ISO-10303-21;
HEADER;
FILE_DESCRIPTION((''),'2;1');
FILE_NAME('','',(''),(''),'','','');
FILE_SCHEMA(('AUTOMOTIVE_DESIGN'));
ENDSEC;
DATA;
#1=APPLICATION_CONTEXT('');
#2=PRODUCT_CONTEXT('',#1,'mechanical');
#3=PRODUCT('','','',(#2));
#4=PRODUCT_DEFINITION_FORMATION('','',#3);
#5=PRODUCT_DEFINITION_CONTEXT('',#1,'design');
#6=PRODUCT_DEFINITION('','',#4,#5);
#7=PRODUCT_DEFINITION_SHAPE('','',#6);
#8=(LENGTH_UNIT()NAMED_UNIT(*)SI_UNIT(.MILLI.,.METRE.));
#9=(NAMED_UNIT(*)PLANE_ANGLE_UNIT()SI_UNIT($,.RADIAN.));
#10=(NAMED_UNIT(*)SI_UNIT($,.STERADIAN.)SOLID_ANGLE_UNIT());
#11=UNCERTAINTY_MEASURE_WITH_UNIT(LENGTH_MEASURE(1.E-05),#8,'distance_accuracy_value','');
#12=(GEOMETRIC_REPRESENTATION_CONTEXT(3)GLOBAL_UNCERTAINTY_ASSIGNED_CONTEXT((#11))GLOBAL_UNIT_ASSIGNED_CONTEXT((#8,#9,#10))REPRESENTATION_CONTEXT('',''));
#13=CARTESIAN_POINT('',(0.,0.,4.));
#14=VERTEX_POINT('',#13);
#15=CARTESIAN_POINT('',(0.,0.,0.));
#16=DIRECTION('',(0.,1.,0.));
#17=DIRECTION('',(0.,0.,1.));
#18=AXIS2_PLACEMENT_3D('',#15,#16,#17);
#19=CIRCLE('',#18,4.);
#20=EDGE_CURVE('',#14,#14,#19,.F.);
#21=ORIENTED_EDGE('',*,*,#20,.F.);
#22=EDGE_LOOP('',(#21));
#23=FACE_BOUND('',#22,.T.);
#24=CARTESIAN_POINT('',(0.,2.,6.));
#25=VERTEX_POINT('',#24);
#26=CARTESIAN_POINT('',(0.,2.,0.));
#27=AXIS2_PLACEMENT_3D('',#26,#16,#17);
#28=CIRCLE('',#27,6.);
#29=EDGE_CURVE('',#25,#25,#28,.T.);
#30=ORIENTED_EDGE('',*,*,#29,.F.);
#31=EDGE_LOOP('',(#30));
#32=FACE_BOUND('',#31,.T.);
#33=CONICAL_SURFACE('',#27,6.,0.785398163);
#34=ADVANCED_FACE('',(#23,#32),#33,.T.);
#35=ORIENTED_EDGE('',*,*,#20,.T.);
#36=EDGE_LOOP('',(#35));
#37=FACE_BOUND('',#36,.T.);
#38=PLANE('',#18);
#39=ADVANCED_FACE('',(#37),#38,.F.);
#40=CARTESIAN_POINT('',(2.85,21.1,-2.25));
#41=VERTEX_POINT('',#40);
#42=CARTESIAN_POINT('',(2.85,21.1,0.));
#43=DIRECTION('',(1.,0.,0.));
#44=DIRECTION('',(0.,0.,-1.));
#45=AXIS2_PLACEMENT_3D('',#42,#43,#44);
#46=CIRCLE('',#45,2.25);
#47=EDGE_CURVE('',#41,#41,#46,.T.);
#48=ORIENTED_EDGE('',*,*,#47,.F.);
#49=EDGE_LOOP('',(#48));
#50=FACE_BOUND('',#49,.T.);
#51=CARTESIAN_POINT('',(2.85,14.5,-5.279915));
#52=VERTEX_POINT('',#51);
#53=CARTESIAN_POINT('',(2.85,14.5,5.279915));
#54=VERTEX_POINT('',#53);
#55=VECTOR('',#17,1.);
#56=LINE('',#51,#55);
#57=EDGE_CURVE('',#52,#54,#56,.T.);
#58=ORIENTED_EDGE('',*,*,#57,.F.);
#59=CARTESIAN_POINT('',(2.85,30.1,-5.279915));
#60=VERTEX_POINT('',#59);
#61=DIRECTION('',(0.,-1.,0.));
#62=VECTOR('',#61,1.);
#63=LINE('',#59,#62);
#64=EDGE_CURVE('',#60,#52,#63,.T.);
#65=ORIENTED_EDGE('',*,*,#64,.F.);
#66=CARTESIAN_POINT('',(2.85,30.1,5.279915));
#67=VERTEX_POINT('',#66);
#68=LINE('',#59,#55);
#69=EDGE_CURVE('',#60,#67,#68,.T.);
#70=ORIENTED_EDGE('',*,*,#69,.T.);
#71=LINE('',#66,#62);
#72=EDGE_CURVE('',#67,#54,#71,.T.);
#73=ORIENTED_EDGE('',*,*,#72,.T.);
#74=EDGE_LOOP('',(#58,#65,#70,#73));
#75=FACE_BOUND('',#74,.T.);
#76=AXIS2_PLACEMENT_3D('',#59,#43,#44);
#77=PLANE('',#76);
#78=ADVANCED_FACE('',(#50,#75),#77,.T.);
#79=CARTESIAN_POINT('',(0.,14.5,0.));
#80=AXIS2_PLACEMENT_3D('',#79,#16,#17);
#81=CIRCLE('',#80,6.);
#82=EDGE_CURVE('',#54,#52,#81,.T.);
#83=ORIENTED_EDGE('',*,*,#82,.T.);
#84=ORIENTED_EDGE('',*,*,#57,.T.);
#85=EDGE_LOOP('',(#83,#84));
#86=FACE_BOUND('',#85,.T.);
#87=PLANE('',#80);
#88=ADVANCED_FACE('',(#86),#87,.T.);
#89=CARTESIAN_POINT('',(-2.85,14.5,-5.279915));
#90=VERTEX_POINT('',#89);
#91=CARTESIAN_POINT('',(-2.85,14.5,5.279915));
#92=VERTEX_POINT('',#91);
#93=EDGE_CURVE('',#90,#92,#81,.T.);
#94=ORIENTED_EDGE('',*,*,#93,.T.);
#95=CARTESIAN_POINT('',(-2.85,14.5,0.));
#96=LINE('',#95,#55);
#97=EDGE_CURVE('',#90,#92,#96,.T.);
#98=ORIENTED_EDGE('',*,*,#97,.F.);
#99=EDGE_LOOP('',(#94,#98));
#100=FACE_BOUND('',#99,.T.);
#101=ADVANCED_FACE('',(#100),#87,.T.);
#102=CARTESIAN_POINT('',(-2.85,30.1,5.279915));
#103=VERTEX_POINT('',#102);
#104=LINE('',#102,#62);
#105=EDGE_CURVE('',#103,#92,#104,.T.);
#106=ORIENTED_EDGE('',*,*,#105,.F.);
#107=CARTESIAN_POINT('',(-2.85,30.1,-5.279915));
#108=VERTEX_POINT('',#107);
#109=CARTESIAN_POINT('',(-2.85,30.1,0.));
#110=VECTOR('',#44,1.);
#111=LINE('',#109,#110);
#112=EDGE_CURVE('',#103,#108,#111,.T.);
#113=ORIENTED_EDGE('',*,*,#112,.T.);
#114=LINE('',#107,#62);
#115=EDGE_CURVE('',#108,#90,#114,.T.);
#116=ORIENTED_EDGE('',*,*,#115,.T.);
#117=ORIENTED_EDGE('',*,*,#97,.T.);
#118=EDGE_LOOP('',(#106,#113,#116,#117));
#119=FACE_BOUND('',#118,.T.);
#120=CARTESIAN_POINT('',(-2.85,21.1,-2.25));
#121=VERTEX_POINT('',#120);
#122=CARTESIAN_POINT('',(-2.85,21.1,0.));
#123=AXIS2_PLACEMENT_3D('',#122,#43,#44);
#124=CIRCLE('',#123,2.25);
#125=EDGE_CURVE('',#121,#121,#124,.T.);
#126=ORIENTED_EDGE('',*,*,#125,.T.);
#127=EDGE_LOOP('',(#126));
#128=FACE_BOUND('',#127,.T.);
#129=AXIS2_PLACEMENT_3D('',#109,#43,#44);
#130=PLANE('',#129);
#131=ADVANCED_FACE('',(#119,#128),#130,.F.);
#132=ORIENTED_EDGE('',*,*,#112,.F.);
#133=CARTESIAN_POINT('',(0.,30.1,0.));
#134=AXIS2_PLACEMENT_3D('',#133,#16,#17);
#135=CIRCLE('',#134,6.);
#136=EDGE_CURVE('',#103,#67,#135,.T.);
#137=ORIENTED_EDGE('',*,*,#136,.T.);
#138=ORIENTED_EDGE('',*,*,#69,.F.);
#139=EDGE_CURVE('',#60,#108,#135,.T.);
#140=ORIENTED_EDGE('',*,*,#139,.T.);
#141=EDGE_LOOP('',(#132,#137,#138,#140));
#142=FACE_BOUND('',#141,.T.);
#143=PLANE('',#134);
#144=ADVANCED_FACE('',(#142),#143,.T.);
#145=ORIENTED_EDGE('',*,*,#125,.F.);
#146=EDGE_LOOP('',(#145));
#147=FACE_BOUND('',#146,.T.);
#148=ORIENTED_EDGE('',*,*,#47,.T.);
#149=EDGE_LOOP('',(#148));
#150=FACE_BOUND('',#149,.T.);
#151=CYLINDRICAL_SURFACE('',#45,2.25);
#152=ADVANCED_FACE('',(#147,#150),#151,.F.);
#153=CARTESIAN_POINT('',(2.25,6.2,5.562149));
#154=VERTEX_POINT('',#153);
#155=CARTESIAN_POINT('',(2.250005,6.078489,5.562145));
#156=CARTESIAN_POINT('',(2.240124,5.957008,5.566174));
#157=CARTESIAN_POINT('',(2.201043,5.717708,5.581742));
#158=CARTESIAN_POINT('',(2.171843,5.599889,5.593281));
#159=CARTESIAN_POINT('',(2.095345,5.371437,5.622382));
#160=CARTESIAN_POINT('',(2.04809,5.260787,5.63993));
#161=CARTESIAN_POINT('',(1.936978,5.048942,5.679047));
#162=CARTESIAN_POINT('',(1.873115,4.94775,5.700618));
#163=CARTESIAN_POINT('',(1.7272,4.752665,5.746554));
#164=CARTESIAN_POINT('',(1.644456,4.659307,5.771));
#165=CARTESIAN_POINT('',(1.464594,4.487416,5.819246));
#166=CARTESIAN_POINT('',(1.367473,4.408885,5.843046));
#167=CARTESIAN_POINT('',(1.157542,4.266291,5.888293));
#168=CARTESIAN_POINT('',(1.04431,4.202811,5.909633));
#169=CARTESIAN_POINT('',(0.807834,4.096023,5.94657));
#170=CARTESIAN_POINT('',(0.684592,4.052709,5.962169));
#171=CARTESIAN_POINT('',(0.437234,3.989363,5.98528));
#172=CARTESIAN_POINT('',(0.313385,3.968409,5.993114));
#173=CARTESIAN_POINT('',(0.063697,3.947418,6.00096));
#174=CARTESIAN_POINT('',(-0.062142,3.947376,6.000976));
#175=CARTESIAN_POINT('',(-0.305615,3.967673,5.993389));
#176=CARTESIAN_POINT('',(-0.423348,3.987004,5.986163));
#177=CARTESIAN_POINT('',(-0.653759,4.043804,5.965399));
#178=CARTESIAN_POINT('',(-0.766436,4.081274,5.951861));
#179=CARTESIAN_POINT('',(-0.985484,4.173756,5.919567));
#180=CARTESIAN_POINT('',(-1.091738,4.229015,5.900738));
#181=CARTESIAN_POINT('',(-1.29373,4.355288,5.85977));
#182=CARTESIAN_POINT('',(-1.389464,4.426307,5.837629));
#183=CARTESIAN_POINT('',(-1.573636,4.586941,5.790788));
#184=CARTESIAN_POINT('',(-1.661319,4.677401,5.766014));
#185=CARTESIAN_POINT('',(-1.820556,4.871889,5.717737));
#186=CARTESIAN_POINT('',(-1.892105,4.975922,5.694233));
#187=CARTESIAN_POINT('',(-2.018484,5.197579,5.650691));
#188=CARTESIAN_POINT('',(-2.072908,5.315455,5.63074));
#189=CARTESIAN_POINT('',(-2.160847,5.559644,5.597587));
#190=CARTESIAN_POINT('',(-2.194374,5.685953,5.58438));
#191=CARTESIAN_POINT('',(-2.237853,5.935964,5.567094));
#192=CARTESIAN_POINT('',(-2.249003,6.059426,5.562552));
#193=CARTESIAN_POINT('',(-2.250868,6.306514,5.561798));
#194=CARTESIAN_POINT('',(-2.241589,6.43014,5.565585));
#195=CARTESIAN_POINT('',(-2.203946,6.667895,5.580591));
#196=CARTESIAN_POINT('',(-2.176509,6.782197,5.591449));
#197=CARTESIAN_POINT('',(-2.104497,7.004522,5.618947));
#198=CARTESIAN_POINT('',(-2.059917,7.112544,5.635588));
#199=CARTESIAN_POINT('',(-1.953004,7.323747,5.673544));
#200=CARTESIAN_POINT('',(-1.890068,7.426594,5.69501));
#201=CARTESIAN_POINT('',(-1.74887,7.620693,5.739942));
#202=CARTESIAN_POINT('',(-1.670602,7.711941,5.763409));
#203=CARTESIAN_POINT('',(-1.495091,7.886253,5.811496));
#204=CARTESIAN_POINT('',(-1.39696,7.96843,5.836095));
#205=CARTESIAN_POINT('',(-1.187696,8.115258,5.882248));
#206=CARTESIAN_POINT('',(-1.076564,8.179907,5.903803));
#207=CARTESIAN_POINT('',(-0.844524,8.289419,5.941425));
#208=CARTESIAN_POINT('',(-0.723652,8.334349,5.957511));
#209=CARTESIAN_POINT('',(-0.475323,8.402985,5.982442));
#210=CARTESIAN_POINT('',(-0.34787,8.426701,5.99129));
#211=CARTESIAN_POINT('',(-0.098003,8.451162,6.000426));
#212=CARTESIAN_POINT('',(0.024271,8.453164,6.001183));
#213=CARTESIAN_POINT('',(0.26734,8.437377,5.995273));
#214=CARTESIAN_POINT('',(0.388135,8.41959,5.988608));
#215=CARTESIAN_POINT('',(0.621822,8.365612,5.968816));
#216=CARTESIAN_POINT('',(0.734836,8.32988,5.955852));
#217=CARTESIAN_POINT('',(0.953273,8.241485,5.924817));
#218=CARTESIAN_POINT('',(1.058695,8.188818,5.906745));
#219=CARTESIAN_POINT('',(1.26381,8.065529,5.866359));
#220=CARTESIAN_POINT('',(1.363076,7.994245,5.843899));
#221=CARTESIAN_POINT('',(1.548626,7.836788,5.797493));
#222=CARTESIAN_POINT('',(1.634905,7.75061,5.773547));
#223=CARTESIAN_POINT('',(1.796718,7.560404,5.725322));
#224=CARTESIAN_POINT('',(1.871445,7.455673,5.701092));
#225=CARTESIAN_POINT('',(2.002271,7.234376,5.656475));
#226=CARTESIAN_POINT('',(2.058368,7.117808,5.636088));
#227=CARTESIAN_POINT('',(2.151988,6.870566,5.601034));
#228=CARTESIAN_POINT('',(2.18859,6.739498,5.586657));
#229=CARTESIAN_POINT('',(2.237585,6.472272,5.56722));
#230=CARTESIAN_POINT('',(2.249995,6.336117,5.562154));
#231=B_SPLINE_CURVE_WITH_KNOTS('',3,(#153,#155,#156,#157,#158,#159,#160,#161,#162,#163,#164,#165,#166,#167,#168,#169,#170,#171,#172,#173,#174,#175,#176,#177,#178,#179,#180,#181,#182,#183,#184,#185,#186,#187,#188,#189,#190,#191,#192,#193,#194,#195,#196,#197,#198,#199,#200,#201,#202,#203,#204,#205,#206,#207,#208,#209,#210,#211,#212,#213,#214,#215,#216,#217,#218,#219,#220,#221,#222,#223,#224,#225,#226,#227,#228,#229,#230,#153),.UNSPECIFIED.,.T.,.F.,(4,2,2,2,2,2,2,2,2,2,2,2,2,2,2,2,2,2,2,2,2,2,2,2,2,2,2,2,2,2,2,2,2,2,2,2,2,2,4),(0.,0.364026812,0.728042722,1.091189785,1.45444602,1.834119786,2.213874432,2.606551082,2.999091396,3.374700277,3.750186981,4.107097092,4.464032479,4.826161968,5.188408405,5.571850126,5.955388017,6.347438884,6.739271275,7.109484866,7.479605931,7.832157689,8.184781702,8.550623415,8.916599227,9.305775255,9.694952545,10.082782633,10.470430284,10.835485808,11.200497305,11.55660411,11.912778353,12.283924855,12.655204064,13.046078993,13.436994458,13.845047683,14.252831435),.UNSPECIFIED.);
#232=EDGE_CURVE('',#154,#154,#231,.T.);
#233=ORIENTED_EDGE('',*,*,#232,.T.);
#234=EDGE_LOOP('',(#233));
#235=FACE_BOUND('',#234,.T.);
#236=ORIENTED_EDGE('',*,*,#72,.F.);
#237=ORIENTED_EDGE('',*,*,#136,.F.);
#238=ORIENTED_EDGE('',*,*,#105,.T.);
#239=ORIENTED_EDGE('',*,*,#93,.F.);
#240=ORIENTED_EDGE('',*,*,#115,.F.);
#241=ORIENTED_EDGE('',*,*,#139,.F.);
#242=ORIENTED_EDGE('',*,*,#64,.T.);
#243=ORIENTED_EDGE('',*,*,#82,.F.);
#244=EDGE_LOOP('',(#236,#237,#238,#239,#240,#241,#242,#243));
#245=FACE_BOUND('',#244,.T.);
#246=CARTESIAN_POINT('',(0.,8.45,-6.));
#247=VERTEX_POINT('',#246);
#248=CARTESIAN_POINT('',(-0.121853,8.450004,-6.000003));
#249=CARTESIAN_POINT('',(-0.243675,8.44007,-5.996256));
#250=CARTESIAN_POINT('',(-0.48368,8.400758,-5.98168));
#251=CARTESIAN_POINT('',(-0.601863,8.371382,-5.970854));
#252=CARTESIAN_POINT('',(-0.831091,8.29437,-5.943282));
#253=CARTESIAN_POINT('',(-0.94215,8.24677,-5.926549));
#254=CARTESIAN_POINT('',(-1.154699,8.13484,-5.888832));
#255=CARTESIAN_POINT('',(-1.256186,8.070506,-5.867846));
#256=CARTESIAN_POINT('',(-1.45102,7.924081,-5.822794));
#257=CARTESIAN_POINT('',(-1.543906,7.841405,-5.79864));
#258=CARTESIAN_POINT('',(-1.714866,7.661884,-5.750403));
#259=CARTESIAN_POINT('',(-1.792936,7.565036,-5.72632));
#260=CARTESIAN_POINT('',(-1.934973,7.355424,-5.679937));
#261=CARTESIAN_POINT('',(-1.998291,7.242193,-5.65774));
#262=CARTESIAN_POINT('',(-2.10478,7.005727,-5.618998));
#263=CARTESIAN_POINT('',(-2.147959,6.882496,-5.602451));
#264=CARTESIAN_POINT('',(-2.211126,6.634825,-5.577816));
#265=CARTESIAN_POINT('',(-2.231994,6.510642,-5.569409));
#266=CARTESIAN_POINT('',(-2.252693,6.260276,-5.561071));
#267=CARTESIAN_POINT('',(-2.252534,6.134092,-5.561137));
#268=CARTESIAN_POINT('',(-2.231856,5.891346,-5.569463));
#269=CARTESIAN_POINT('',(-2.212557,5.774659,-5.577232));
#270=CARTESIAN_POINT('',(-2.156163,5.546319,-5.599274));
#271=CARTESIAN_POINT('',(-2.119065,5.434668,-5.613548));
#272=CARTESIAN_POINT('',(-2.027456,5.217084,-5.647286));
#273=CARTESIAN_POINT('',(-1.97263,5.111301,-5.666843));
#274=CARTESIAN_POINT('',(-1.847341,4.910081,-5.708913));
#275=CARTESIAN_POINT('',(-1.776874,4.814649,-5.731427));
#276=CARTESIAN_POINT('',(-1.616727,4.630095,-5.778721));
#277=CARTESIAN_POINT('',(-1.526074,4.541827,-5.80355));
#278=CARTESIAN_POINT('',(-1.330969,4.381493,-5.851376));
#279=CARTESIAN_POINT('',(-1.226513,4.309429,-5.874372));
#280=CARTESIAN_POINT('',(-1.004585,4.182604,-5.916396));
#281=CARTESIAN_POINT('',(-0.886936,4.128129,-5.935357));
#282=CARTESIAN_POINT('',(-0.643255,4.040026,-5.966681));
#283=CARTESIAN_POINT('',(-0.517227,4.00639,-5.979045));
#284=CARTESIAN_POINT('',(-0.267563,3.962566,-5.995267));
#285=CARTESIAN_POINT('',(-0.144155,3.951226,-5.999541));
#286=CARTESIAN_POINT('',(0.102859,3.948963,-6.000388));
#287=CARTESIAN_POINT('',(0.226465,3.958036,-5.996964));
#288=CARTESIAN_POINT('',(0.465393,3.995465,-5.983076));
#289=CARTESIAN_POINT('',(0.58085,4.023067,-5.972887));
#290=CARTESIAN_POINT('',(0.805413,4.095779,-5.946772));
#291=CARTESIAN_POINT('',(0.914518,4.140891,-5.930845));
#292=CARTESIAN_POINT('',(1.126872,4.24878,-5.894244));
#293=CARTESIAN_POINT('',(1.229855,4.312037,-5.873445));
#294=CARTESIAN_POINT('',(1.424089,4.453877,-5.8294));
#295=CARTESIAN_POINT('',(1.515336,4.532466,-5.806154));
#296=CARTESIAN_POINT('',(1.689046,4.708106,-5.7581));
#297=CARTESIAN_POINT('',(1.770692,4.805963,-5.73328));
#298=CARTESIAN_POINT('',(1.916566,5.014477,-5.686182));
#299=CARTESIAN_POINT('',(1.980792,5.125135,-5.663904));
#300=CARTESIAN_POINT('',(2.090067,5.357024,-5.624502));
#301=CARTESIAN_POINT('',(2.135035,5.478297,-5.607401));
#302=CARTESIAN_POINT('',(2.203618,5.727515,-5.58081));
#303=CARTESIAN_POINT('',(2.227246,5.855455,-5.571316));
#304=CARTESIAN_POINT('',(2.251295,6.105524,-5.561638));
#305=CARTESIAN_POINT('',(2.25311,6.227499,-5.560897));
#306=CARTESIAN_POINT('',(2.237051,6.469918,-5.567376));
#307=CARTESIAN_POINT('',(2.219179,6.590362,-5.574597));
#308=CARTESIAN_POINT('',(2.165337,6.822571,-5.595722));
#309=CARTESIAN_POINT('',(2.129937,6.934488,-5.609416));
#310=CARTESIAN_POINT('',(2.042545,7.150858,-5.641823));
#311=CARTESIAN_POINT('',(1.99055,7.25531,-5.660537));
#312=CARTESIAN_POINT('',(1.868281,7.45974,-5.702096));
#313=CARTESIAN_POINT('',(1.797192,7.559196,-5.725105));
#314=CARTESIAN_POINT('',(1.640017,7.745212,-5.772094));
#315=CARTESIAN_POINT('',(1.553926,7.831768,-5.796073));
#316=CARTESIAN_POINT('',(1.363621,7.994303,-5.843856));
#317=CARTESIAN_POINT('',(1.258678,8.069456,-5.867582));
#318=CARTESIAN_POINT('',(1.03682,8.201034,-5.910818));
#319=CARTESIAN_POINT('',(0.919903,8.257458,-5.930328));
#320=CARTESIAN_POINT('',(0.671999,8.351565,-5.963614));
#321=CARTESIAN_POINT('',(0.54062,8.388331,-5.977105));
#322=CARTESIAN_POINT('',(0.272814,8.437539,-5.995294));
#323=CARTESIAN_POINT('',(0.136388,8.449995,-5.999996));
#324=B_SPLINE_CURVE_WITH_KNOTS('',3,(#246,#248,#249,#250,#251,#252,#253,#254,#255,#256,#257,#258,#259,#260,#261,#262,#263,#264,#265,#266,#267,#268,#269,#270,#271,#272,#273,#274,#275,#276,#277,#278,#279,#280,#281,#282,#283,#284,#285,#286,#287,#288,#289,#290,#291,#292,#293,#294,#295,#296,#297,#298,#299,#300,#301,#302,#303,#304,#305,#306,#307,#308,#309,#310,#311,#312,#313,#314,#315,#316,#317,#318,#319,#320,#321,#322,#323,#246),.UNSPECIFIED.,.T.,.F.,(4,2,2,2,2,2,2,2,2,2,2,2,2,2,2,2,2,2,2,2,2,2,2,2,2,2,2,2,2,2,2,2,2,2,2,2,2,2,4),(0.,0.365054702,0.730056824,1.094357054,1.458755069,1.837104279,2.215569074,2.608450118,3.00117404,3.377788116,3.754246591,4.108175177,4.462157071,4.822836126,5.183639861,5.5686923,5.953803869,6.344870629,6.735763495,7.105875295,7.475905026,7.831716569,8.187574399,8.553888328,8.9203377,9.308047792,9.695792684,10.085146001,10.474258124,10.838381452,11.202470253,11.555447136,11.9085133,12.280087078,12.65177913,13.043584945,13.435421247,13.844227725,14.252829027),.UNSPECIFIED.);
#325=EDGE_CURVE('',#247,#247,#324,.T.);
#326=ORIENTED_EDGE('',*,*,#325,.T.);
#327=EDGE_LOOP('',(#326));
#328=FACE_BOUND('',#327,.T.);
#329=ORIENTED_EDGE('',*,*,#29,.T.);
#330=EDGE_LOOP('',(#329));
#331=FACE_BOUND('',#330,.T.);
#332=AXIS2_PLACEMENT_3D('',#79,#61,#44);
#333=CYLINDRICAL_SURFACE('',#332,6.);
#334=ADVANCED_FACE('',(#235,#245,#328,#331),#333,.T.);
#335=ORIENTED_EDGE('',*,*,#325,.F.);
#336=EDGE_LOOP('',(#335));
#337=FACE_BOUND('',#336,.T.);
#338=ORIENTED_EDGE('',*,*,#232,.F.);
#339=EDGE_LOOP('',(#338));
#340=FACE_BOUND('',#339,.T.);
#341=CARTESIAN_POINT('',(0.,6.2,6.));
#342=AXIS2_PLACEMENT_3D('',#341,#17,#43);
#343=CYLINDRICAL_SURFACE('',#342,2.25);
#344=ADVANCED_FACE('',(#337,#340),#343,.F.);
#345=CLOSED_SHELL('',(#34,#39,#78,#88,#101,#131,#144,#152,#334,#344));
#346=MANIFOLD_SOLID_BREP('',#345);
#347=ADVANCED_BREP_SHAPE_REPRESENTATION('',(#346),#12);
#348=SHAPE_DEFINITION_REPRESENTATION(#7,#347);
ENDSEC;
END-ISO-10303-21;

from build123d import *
from build123d.topology import SkipClean

# Parameters (mm, degrees)
SKETCH2_R            = 6
BOSS_EXTRUDE1_DEPTH  = 14.5
CHAMFER1_SIZE        = 2
BOSS_EXTRUDE3_DEPTH  = 15.6
M4_CLEARANCE_HOLE1_D = 4.5
M4_CLEARANCE_HOLE2_D = 4.5


with BuildPart() as part:
    # Sketch2 → Boss-Extrude1 (new body)
    with BuildSketch(Plane(origin=(0, 0, 0), x_dir=(1, 0, 0), z_dir=(0, 1, 0))):
        with Locations(Location((0, 0, 0), (0, 0, 90))):
            Circle(SKETCH2_R)
    extrude(amount=BOSS_EXTRUDE1_DEPTH)

    # Chamfer1
    chamfer1_edges = [part.edges().sort_by_distance(p)[0] for p in [
        (0, 0, 6),
    ]]
    chamfer(chamfer1_edges, length=CHAMFER1_SIZE)

    # Sketch3 → Boss-Extrude3 (add)
    with SkipClean():  # the faces are left unmerged after this step: merging them gives an invalid solid
        with BuildSketch(Plane(origin=(0, 14.5, 0), x_dir=(1, 0, 0), z_dir=(0, 1, 0))):
            with BuildLine():
                Line((-2.85, 0), (-2.85, 5.279915))
                ThreePointArc((-2.85, 5.279915), (0, 6), (2.85, 5.279915))
                Line((2.85, 5.279915), (2.85, -5.279915))
                ThreePointArc((2.85, -5.279915), (0, -6), (-2.85, -5.279915))
                Line((-2.85, -5.279915), (-2.85, 0))
            make_face()
        extrude(amount=BOSS_EXTRUDE3_DEPTH)

    # M4 Clearance Hole1 (through all)
    with Locations(Plane.XY.offset(6)):
        with Locations((0, 6.2)):
            Hole(M4_CLEARANCE_HOLE1_D / 2)

    # M4 Clearance Hole2 (through all)
    with Locations(Plane(origin=(2.85, 0, 0), x_dir=(0, 0, -1), z_dir=(1, 0, 0))):
        with Locations((0, 21.1)):
            Hole(M4_CLEARANCE_HOLE2_D / 2)


solid = part.part
